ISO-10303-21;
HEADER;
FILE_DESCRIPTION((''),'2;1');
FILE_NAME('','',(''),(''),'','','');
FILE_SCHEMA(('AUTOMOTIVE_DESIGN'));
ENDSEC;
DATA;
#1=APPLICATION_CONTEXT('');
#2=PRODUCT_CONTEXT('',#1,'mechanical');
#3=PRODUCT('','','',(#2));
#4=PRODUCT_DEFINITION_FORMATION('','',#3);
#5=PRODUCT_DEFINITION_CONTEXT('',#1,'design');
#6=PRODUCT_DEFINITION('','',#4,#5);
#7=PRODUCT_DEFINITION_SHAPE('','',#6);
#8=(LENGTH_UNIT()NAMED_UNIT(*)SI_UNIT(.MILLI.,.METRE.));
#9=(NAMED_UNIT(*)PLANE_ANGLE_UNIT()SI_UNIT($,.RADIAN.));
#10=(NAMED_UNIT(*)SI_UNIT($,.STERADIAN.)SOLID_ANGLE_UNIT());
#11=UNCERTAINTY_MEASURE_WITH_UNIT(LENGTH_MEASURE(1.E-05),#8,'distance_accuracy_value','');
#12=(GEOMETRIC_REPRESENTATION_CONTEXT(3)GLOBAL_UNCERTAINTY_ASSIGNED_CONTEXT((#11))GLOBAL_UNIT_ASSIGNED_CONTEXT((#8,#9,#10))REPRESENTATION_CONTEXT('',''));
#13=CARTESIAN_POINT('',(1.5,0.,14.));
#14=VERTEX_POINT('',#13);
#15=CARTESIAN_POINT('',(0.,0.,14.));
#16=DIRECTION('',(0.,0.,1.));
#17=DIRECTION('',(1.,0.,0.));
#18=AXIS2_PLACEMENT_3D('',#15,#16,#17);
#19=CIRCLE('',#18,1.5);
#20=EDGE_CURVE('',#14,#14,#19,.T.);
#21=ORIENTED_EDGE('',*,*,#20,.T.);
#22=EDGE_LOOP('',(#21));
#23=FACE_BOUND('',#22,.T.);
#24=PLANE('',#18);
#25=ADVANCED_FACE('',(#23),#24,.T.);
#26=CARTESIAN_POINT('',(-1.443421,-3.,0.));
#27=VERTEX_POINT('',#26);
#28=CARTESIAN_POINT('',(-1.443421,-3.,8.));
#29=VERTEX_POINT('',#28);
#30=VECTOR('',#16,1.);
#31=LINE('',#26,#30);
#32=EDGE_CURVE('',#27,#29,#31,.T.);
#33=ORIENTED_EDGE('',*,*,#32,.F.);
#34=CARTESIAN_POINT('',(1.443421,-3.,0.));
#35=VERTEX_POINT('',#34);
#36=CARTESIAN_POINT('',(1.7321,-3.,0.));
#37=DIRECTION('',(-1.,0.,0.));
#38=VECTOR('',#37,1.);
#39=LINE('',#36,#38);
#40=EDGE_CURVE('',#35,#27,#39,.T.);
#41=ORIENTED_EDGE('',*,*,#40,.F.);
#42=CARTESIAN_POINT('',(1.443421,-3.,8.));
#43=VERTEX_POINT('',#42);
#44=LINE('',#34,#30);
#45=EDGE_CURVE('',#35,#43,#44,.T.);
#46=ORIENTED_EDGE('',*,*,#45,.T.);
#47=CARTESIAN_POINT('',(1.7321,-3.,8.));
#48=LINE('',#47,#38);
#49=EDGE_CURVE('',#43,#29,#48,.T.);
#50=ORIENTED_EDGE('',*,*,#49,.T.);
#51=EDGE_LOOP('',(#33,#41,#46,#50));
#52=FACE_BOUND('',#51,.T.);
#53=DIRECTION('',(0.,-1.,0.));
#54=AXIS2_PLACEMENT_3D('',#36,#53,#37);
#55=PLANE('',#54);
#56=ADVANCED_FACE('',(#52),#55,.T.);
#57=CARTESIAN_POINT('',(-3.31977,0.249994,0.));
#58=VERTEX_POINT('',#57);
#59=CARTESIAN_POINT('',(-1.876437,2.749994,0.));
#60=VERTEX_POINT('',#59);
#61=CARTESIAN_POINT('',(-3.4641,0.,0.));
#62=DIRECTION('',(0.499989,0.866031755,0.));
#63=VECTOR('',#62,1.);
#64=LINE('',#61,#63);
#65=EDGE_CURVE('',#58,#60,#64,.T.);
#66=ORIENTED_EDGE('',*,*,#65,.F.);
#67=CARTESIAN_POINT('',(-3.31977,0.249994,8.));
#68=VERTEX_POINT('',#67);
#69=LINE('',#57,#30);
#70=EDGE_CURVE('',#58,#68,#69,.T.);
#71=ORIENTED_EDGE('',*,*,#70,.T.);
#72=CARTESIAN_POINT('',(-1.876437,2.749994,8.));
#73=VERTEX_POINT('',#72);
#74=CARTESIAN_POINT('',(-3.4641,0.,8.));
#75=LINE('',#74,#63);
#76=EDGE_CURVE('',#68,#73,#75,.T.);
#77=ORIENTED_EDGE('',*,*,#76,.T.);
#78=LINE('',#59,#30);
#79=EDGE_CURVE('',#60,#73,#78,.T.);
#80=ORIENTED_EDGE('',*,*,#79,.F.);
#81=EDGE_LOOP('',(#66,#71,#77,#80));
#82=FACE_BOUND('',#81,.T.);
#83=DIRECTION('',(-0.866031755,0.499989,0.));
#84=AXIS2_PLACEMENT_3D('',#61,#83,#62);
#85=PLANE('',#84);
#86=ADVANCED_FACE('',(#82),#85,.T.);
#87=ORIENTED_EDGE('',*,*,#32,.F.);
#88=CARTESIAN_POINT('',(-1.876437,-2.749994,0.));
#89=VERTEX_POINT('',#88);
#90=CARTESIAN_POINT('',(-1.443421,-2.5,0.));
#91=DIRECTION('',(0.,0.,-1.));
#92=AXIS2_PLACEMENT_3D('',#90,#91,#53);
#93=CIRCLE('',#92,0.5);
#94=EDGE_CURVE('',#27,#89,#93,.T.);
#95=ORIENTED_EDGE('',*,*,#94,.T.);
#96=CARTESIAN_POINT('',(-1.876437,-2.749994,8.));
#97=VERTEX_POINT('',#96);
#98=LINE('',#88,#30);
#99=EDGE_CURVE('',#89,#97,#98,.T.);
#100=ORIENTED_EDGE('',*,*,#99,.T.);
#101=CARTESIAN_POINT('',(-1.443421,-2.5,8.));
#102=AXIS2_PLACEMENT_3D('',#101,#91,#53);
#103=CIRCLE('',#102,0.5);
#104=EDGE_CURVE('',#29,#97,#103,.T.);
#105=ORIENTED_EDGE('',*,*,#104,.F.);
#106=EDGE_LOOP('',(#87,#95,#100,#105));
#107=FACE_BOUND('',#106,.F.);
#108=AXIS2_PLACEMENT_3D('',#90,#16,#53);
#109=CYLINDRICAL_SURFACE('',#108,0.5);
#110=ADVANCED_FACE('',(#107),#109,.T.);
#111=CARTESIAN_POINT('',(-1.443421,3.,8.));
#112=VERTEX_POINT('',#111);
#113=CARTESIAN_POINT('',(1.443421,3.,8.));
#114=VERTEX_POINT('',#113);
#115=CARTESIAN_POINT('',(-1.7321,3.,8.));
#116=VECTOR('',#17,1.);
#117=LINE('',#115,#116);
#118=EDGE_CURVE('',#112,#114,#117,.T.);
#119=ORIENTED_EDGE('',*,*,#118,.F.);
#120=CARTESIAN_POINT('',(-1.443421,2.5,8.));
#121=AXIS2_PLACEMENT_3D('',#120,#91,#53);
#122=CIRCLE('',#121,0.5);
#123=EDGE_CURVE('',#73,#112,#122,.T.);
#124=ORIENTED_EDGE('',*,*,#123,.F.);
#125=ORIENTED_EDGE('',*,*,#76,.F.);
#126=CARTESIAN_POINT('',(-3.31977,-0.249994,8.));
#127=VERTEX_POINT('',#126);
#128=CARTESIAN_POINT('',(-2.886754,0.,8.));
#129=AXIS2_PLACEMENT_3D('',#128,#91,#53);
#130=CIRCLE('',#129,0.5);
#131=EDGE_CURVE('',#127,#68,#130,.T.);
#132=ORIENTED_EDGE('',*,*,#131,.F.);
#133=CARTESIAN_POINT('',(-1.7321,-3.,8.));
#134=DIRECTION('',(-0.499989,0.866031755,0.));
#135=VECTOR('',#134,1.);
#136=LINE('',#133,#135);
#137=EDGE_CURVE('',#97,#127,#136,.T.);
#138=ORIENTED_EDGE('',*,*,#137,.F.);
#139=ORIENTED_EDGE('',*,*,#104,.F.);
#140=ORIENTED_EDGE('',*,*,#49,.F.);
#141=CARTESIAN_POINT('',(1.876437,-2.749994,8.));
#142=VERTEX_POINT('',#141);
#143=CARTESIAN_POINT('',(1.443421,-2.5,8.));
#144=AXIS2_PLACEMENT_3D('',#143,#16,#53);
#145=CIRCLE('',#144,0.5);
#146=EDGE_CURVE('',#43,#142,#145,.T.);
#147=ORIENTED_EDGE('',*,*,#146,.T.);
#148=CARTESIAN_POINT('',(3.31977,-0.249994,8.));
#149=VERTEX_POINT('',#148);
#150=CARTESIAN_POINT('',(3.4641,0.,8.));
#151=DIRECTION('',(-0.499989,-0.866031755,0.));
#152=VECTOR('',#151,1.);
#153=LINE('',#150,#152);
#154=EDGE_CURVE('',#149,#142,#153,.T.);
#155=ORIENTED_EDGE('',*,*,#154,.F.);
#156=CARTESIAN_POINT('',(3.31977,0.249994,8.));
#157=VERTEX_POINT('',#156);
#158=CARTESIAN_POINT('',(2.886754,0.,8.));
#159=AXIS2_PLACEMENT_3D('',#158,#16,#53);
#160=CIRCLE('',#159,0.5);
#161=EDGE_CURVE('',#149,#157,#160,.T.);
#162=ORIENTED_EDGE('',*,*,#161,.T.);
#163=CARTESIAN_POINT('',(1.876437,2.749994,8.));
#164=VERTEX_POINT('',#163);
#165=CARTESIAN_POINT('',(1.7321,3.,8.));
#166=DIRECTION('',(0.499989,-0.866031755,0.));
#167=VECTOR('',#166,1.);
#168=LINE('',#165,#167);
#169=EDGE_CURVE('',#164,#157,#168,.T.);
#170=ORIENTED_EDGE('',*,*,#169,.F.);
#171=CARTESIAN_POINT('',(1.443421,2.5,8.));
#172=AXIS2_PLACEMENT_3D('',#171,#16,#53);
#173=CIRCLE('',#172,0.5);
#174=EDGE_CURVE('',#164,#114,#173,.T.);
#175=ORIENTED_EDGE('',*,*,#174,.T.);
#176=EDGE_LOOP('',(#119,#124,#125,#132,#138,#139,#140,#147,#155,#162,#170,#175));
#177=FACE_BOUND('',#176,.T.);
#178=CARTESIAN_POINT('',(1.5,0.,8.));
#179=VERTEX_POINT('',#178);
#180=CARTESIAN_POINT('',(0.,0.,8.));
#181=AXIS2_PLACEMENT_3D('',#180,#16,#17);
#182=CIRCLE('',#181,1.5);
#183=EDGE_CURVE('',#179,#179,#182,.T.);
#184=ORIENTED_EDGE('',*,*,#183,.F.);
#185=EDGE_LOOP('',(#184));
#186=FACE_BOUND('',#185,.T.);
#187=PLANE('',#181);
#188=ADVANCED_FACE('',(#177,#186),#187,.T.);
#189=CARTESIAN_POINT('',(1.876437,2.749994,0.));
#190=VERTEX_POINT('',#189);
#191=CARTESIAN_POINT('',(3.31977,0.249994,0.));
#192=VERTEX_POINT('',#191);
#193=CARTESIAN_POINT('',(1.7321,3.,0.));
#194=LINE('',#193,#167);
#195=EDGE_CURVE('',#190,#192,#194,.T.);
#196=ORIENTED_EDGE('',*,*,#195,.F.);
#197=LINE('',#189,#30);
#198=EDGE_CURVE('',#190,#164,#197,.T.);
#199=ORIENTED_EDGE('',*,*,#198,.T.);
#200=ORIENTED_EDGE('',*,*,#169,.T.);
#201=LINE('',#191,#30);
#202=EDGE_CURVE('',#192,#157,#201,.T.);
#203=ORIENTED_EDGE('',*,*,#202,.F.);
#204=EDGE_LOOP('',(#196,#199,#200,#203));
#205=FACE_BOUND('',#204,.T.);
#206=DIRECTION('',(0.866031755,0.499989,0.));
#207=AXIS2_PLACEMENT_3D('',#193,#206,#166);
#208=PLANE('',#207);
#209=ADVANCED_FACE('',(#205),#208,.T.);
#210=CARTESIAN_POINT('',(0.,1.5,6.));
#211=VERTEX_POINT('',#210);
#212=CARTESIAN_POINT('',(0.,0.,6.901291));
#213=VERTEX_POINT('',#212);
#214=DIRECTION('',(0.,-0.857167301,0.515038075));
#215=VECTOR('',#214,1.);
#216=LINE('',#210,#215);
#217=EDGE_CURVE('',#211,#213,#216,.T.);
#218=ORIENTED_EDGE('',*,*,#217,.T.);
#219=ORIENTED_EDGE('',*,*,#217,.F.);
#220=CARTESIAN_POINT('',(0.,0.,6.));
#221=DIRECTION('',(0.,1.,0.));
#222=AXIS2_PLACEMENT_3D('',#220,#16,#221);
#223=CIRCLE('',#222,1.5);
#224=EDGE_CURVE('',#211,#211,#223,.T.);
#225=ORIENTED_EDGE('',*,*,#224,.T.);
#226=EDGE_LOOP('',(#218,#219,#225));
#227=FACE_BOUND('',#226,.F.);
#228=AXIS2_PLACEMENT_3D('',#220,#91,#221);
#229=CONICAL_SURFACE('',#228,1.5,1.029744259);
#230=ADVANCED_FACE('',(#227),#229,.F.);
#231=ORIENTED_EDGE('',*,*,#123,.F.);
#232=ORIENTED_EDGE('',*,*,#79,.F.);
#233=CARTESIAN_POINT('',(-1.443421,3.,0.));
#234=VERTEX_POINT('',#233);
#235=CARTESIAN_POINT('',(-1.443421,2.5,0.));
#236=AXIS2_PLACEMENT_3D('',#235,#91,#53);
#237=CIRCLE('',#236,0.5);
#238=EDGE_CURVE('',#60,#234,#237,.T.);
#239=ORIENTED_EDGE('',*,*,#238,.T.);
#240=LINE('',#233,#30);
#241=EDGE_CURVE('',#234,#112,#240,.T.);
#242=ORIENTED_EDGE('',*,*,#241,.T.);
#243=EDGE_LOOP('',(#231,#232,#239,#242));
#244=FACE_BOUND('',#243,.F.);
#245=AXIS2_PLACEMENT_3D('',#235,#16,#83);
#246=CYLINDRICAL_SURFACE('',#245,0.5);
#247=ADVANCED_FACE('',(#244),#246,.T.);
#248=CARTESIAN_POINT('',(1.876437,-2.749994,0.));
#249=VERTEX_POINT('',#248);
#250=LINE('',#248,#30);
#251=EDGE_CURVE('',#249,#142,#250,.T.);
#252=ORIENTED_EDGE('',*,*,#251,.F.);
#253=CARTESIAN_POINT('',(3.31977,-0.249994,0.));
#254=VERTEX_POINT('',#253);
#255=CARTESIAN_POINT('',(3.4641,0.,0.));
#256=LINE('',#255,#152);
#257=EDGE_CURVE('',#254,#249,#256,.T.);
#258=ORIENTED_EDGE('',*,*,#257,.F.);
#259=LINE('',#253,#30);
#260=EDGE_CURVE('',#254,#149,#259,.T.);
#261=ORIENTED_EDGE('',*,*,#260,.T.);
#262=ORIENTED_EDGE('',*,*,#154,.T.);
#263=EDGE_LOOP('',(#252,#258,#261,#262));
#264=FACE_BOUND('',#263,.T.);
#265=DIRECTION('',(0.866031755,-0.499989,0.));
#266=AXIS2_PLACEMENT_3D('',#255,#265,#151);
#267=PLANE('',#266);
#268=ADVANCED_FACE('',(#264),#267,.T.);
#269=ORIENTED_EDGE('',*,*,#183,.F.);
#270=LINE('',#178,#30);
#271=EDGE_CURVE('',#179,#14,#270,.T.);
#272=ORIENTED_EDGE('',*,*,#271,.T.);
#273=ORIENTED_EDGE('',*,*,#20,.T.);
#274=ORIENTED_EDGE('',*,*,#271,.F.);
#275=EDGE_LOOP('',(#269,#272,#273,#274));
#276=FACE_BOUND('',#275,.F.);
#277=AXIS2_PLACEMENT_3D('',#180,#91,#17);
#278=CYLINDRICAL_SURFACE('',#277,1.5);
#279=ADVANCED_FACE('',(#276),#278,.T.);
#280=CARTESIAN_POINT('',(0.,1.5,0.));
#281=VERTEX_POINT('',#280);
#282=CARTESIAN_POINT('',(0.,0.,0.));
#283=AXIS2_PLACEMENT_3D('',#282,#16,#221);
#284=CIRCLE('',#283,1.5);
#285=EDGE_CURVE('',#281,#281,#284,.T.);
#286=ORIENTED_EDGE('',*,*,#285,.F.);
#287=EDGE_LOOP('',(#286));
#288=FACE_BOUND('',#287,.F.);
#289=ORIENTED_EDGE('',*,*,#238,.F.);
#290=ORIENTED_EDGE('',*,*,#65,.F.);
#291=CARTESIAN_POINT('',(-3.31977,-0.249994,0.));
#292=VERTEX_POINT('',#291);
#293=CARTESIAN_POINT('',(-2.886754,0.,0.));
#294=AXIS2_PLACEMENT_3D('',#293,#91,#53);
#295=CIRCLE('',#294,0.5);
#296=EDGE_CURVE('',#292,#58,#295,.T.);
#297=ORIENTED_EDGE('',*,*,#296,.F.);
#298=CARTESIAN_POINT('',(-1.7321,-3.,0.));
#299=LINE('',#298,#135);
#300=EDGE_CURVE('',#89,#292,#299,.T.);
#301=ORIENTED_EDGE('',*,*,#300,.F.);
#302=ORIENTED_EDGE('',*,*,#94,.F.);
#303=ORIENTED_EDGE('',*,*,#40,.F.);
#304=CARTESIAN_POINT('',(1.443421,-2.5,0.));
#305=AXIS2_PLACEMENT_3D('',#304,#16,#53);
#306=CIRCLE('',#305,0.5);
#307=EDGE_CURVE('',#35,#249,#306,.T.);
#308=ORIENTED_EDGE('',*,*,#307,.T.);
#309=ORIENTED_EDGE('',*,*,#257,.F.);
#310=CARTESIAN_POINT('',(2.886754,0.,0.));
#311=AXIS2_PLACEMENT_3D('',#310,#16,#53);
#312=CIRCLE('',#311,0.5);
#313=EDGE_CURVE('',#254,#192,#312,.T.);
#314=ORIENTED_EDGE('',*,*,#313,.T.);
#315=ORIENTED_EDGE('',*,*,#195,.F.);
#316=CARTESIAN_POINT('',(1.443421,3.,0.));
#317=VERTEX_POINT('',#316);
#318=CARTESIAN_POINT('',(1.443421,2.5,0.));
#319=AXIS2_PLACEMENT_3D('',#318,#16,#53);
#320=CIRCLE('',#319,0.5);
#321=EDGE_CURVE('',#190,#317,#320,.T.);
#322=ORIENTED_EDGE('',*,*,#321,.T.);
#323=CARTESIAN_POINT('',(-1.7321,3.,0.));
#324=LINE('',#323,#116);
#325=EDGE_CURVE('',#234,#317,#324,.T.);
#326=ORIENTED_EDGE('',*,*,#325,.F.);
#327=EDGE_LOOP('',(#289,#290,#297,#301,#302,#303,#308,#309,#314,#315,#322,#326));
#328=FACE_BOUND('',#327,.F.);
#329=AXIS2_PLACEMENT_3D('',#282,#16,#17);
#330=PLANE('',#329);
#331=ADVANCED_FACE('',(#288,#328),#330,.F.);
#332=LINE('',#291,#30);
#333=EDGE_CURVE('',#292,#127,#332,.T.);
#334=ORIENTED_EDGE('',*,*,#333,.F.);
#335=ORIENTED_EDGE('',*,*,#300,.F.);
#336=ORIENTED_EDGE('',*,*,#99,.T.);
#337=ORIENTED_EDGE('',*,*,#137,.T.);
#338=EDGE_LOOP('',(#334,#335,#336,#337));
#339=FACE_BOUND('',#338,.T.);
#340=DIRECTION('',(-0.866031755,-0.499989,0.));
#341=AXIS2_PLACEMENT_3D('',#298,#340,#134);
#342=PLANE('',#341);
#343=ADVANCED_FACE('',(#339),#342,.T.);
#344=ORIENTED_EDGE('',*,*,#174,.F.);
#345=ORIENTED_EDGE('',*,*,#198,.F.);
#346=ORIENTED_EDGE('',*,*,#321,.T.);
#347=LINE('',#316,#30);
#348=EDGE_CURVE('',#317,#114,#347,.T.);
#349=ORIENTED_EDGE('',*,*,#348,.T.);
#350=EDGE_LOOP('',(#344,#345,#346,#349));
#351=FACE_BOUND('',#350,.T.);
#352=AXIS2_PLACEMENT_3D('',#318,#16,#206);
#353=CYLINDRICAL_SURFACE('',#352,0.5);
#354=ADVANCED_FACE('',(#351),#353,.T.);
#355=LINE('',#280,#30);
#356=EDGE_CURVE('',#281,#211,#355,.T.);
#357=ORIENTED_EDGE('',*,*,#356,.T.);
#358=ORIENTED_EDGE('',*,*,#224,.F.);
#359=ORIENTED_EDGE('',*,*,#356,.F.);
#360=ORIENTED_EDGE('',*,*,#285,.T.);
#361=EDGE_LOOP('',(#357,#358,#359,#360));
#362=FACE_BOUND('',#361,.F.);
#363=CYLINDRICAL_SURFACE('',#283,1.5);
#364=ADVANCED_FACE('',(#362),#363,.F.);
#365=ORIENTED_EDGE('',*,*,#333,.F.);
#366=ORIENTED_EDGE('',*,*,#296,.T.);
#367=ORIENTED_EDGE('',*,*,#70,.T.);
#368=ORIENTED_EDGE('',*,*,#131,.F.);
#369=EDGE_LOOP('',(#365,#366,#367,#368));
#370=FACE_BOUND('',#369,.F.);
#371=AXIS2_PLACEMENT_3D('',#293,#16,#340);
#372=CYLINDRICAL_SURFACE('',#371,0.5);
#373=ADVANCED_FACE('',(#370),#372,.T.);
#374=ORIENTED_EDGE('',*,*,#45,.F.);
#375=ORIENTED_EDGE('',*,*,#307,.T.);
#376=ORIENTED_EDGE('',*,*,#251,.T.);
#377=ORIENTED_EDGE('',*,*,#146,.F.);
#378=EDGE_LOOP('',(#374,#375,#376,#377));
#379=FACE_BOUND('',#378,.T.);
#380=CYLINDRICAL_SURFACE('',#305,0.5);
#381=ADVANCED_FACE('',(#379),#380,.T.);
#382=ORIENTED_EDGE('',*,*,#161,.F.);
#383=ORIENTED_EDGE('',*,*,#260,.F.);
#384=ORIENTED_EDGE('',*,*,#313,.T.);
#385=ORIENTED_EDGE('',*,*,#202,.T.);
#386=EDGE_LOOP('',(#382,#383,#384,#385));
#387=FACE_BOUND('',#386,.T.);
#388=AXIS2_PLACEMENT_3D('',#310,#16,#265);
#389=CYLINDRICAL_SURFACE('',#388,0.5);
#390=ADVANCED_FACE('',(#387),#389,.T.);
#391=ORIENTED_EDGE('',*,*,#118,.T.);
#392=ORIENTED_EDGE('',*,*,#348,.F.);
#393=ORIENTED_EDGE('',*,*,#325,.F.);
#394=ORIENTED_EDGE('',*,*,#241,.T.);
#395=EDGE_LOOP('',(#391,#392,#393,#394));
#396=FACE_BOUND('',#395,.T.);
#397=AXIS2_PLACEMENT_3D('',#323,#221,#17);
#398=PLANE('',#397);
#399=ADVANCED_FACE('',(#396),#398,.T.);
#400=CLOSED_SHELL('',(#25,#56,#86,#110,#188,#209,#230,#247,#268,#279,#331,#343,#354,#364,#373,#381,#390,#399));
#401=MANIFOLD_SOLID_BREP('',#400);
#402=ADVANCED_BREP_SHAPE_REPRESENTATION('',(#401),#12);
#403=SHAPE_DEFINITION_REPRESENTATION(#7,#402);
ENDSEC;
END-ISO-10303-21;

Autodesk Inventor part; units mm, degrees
ref_plane "YZ Plane" through (0, 0, 0) normal (1, 0, 0) x (0, 1, 0)
ref_plane "XZ Plane" through (0, 0, 0) normal (0, 1, 0) x (-1, 0, 0)
ref_plane "XY Plane" through (0, 0, 0) normal (0, 0, 1) x (1, 0, 0)
sketch "スケッチ1" plane through (0, 0, 0) normal (0, 0, 1) x (1, 0, 0)
  line L0 (1.7321, -3) -> (-1.7321, -3)
  line L1 (-1.7321, -3) -> (-3.4641, 0)
  line L2 (-3.4641, 0) -> (-1.7321, 3)
  line L3 (-1.7321, 3) -> (1.7321, 3)
  line L4 (1.7321, 3) -> (3.4641, 0)
  line L5 (3.4641, 0) -> (1.7321, -3)
  point P0 (0, 0)
  point P1 (0, 0)
  dimension "d5" = 6
  dimension "d6" = 3
extrude "押し出し1" add sketch "スケッチ1" along normal blind 8
sketch "スケッチ2" plane through (0, 0, 8) normal (0, 0, 1) x (1, 0, 0)
  circle A0 centre (0, 0) radius 1.5
  dimension "d10" = 3
extrude "押し出し2" add sketch "スケッチ2" along normal blind 6
sketch "スケッチ3" plane through (0, 0, 0) normal (0, 0, -1) x (-1, 0, 0)
  circle A0 centre (0, 0) radius 1.5
  dimension "d13" = 3
hole "穴1" at (0, 0, 0) direction (0, 0, 1) diameter 3 depth 6 tip angle 118
thread "ねじ1" size "M3x0.5" class "6g" standard "ANSI Metric M Profile" full length
thread "ねじ2" size "M3x0.5" class "6H" standard "ANSI Metric M Profile" full length
fillet "フィレット1" radius 0.5 6 edges at (-3.4641, 0, 4) (-1.7321, -3, 4) (-1.7321, 3, 4) (1.7321, 3, 4) (3.4641, 0, 4) (1.7321, -3, 4)
